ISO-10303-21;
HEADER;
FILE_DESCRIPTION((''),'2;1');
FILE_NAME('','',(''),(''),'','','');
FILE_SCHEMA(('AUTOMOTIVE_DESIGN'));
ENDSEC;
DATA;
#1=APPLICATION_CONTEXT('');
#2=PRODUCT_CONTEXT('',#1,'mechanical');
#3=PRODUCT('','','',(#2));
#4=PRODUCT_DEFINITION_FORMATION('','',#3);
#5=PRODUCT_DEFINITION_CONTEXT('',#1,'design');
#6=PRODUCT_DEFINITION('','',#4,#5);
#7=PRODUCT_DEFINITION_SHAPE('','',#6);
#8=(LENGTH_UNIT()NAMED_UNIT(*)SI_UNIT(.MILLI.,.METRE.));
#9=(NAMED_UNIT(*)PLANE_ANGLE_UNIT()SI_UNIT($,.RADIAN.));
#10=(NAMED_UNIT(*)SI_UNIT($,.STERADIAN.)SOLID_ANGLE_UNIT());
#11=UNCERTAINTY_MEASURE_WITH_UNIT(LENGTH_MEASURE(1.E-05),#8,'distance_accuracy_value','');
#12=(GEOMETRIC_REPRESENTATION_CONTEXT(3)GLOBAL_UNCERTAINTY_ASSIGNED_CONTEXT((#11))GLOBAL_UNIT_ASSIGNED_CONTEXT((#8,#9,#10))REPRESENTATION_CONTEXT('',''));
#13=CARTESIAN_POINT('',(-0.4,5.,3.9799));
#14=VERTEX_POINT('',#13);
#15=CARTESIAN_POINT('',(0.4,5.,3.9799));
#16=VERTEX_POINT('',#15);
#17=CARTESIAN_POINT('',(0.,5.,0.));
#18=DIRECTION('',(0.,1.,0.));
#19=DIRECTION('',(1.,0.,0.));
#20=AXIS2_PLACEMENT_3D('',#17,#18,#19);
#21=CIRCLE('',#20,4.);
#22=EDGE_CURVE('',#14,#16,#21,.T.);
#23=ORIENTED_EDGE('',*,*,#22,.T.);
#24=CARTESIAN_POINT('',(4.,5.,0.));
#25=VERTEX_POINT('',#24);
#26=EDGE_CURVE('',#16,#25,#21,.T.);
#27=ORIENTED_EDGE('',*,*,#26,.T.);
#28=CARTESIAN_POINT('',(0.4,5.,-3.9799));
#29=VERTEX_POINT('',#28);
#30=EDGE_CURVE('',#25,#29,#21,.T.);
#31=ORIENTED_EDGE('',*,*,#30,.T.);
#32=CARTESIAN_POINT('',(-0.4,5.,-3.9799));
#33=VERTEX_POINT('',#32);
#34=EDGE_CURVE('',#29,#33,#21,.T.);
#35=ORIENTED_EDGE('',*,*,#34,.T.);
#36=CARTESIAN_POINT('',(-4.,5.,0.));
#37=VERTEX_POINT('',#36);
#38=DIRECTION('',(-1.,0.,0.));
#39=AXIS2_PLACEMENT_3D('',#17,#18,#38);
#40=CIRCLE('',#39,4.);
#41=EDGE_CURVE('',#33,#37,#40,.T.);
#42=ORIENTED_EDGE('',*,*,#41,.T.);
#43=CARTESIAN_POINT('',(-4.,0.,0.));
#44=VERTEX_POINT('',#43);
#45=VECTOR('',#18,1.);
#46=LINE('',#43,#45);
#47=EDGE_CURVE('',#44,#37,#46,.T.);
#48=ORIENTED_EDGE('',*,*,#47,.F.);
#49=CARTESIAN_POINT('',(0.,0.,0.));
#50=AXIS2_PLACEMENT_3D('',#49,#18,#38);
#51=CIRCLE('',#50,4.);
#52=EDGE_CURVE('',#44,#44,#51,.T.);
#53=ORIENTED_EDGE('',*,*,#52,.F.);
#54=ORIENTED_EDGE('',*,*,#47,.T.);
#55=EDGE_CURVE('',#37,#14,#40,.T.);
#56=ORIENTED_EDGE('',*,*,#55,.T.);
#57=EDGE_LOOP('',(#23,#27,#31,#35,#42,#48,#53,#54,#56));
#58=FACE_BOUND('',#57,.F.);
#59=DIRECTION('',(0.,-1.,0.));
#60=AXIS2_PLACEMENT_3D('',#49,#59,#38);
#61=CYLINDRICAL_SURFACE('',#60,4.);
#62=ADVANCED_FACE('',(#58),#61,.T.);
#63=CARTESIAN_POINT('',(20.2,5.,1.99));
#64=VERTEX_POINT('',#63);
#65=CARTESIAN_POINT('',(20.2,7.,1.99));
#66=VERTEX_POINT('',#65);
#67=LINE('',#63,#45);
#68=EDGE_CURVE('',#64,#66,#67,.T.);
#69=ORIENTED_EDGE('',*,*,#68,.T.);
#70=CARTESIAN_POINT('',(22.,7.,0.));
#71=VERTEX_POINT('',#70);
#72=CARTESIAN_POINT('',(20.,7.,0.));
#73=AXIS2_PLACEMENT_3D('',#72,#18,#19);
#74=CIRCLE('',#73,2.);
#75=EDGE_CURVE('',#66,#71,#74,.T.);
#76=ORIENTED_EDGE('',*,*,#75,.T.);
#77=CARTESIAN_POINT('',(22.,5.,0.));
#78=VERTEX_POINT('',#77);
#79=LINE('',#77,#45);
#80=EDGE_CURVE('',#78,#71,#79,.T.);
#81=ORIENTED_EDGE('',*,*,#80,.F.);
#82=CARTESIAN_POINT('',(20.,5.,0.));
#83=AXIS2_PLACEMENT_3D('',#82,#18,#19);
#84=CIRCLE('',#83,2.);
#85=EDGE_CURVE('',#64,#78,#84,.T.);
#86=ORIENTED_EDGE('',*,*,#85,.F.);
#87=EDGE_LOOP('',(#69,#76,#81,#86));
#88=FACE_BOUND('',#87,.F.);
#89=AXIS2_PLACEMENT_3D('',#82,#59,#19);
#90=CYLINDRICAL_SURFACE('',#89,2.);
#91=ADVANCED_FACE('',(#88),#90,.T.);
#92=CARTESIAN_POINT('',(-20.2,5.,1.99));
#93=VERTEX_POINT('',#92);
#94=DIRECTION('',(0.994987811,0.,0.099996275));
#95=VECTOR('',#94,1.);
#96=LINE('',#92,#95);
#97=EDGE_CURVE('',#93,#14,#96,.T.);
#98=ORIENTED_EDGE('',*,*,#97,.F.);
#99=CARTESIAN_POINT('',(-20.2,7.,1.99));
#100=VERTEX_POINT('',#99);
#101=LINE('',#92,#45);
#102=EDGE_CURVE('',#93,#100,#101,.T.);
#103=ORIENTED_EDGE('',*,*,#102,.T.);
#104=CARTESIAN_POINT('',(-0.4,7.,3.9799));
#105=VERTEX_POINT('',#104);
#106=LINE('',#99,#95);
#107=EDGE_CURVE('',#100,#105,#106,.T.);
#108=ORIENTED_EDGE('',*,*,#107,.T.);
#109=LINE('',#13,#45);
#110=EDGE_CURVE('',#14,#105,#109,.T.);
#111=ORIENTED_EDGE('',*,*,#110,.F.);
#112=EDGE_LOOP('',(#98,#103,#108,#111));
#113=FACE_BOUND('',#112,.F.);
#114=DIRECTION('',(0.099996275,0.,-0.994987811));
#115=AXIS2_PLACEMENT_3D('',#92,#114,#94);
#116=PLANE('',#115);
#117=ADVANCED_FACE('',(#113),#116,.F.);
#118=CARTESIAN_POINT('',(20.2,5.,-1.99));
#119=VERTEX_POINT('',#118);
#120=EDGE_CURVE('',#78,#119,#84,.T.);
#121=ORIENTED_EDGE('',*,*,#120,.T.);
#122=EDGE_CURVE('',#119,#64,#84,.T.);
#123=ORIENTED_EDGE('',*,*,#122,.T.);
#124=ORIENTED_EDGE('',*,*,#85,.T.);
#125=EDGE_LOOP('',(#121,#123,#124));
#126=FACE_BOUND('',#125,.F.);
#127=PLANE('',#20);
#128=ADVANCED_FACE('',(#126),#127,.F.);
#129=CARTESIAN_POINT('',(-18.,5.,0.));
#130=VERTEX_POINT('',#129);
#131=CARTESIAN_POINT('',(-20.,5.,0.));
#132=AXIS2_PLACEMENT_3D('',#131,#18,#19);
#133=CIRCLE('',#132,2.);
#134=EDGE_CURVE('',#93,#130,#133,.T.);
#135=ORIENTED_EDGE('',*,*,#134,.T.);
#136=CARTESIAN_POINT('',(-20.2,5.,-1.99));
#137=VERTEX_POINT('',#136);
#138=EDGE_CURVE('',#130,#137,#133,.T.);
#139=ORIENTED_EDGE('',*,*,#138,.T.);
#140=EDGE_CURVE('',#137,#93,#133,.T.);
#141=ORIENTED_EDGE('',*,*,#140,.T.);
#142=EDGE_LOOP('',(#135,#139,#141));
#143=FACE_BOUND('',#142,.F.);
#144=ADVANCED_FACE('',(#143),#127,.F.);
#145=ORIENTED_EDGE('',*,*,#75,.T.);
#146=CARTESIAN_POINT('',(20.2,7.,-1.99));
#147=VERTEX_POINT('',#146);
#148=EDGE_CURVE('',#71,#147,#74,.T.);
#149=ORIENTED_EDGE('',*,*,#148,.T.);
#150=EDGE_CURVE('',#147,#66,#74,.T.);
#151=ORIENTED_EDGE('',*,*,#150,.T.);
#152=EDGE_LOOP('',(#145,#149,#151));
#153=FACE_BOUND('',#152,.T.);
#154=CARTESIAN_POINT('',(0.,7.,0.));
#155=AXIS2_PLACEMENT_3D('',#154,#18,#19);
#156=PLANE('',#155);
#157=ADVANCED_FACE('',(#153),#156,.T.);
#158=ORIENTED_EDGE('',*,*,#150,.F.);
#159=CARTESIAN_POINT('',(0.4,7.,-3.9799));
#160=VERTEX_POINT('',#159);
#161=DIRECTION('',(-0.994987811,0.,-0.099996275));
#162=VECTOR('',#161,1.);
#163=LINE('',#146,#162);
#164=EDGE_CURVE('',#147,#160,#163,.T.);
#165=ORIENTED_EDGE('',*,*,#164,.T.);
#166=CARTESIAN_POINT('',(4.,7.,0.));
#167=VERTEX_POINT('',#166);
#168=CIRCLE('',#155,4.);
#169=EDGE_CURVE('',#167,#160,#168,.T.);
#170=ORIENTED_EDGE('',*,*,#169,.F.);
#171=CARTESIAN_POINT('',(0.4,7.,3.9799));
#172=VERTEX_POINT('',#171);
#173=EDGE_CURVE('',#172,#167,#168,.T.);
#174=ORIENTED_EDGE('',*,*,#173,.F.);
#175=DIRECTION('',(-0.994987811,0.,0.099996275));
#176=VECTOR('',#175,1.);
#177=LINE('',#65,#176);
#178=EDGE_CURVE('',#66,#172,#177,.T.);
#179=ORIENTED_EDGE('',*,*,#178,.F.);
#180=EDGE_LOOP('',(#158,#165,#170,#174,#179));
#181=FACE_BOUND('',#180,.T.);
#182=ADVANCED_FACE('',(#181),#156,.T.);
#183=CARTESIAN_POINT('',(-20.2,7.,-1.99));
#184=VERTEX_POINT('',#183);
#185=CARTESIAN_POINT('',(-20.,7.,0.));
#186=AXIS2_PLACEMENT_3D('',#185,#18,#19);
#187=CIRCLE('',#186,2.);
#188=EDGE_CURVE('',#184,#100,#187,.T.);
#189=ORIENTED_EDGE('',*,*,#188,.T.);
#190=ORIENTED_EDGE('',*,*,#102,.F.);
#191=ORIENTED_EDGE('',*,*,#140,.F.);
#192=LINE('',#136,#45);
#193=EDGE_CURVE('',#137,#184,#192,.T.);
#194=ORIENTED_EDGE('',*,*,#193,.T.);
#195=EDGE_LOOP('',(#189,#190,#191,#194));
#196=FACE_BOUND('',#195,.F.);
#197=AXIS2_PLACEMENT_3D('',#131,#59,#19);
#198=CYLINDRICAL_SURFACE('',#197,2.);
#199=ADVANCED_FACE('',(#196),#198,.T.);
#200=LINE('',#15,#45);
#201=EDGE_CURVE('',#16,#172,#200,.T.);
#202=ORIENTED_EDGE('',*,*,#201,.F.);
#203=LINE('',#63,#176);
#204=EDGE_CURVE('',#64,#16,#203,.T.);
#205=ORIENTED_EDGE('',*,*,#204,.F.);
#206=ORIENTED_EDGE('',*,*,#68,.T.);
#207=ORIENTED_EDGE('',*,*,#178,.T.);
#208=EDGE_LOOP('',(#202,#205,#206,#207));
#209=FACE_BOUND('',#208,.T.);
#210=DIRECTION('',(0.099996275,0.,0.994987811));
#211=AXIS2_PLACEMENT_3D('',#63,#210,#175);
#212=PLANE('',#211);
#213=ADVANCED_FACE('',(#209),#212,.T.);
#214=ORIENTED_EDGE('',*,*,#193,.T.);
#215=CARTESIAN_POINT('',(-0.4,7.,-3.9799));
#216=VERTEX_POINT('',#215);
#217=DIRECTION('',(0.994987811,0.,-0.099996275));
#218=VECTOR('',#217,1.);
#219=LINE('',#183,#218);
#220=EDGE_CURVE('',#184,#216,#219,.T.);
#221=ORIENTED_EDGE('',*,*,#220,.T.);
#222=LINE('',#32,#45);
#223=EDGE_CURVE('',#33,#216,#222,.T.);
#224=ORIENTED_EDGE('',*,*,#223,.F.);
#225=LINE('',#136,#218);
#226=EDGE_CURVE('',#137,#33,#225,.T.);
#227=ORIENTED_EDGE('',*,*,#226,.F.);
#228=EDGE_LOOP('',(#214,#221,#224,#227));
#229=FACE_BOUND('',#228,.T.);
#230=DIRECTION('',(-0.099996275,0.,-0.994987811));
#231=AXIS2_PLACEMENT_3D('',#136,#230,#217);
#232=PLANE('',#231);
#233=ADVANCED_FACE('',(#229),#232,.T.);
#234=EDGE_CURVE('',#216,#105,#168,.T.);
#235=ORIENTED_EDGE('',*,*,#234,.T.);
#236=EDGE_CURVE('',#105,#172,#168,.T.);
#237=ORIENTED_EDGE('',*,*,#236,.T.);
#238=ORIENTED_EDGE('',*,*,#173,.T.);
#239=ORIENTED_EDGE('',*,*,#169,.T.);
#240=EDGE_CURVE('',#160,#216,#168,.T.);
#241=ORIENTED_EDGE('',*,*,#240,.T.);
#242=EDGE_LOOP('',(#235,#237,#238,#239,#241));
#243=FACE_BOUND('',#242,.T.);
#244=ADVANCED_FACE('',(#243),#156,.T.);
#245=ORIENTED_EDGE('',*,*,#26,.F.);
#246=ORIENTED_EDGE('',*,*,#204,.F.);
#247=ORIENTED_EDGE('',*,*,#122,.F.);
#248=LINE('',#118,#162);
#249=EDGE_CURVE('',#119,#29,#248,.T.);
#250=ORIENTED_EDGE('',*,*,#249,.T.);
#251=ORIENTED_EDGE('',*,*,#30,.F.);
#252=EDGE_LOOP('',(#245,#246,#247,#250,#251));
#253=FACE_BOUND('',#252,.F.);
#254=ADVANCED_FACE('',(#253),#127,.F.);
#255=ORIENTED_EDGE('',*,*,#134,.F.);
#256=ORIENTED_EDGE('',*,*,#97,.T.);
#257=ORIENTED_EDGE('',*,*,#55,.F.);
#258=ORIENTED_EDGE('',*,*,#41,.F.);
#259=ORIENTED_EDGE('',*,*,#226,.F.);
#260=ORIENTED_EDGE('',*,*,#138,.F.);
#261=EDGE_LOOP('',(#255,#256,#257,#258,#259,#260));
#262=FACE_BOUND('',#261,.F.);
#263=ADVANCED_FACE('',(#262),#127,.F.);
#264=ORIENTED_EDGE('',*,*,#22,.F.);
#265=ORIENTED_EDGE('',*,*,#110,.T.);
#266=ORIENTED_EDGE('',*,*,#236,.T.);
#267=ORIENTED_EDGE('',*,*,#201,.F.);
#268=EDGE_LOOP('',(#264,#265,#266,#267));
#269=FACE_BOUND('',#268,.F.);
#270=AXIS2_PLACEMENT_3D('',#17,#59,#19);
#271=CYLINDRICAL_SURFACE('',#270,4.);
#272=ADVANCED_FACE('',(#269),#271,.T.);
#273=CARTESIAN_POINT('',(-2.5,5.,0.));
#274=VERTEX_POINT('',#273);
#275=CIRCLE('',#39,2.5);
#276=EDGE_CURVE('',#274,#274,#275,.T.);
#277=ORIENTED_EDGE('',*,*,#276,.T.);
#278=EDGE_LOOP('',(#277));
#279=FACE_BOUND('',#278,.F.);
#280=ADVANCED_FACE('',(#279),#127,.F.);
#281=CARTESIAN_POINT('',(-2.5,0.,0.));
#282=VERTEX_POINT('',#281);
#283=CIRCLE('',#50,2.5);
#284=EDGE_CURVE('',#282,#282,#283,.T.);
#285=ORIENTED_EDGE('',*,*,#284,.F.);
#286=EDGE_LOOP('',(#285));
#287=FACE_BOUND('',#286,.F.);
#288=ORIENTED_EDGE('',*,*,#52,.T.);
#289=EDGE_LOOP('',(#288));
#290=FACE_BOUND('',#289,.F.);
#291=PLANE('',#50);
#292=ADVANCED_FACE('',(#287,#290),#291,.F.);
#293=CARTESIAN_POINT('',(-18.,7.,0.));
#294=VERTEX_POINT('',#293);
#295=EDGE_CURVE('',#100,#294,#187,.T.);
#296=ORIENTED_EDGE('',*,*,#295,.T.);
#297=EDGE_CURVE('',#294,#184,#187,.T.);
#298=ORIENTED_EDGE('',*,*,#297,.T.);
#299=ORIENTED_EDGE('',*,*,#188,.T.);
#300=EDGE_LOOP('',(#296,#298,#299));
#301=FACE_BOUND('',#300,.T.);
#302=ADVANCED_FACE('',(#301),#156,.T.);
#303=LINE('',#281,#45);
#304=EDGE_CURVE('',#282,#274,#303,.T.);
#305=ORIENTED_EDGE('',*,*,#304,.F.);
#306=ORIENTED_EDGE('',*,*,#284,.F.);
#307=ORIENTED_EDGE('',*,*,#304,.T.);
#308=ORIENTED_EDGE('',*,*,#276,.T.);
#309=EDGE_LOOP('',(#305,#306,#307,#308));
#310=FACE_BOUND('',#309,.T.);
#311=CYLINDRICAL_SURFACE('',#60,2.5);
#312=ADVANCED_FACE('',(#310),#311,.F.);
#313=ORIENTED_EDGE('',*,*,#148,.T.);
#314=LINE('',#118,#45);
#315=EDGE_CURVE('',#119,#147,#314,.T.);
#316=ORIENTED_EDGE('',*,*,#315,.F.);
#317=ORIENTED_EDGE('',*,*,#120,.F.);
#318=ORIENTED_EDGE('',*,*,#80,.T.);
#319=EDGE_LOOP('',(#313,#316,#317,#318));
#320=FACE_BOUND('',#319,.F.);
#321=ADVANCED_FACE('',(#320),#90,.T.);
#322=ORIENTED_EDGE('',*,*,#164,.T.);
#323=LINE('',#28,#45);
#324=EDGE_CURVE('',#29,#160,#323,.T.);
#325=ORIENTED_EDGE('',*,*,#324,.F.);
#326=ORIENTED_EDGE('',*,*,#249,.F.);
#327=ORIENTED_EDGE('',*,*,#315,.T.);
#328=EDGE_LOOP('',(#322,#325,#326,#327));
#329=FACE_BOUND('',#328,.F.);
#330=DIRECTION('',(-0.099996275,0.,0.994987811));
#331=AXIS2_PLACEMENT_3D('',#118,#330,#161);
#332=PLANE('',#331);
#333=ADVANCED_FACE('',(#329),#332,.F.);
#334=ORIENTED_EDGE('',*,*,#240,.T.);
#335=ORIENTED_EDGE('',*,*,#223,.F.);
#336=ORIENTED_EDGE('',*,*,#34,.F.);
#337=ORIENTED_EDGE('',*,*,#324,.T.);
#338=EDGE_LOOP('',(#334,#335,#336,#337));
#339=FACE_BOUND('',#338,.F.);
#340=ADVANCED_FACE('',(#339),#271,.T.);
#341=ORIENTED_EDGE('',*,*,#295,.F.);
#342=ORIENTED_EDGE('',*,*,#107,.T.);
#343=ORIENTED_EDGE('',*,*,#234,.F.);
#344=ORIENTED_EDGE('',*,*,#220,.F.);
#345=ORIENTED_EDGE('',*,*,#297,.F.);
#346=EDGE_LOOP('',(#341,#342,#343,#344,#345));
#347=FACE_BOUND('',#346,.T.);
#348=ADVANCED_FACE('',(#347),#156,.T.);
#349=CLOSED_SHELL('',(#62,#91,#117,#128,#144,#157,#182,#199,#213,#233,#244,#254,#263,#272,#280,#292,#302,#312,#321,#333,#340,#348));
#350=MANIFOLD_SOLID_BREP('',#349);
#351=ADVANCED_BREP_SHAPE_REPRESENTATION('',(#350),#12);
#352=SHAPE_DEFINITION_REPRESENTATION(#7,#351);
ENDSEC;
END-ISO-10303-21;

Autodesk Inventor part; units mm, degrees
ref_plane "YZ Plane" through (0, 0, 0) normal (1, 0, 0) x (0, 1, 0)
ref_plane "XZ Plane" through (0, 0, 0) normal (0, 1, 0) x (-1, 0, 0)
ref_plane "XY Plane" through (0, 0, 0) normal (0, 0, 1) x (1, 0, 0)
sketch "Sketch1" plane through (0, 0, 0) normal (0, 1, 0) x (-1, 0, 0)
  circle A0 centre (0, 0) radius 2.5
  circle A1 centre (0, 0) radius 4
  dimension "d0" = 5
  dimension "d1" = 1.5
extrude "Extrusion1" add sketch "Sketch1" along normal blind 5
sketch "Sketch2" plane through (0, 5, 0) normal (0, 1, 0) x (1, 0, 0)
  circle A0 centre (0, 0) radius 4 projected
  circle A1 centre (-20, 0) radius 2
  line L0 (-20.2, -1.99) -> (-0.4, -3.9799)
  line L1 (-20.2, 1.99) -> (-0.4, 3.9799)
  line L2 (0, -12.1879) -> (0, 12.2069) construction
  circle A2 centre (20, 0) radius 2
  line L3 (20.2, -1.99) -> (0.4, -3.9799)
  line L4 (20.2, 1.99) -> (0.4, 3.9799)
  circle A3 centre (0, 0) radius 4 construction
  dimension "d15" = 4
  dimension "d16" = 0
  dimension "d17" = 20
extrude "Extrusion2" add sketch "Sketch2" along normal blind 2
sketch "Sketch3" plane through (0, 7, 0) normal (0, 1, 0) x (1, 0, 0)
  line L0 (32.4593, 0) -> (-34.4987, 0) construction
  point P0 (0, 0)
  point P1 (12.4993, 0)
  point P2 (-14.1195, 0)
sketch "Sketch4" plane through (0, 5, 0) normal (0, -1, 0) x (1, 0, 0)
  point P0 (0, 0)
  point P1 (0, 0)
ref_plane "Work Plane1" through (-14.1195, 7, 0) normal (0, 0, -1) x (1, 0, 0)
properties part number "motor_adaptator"
